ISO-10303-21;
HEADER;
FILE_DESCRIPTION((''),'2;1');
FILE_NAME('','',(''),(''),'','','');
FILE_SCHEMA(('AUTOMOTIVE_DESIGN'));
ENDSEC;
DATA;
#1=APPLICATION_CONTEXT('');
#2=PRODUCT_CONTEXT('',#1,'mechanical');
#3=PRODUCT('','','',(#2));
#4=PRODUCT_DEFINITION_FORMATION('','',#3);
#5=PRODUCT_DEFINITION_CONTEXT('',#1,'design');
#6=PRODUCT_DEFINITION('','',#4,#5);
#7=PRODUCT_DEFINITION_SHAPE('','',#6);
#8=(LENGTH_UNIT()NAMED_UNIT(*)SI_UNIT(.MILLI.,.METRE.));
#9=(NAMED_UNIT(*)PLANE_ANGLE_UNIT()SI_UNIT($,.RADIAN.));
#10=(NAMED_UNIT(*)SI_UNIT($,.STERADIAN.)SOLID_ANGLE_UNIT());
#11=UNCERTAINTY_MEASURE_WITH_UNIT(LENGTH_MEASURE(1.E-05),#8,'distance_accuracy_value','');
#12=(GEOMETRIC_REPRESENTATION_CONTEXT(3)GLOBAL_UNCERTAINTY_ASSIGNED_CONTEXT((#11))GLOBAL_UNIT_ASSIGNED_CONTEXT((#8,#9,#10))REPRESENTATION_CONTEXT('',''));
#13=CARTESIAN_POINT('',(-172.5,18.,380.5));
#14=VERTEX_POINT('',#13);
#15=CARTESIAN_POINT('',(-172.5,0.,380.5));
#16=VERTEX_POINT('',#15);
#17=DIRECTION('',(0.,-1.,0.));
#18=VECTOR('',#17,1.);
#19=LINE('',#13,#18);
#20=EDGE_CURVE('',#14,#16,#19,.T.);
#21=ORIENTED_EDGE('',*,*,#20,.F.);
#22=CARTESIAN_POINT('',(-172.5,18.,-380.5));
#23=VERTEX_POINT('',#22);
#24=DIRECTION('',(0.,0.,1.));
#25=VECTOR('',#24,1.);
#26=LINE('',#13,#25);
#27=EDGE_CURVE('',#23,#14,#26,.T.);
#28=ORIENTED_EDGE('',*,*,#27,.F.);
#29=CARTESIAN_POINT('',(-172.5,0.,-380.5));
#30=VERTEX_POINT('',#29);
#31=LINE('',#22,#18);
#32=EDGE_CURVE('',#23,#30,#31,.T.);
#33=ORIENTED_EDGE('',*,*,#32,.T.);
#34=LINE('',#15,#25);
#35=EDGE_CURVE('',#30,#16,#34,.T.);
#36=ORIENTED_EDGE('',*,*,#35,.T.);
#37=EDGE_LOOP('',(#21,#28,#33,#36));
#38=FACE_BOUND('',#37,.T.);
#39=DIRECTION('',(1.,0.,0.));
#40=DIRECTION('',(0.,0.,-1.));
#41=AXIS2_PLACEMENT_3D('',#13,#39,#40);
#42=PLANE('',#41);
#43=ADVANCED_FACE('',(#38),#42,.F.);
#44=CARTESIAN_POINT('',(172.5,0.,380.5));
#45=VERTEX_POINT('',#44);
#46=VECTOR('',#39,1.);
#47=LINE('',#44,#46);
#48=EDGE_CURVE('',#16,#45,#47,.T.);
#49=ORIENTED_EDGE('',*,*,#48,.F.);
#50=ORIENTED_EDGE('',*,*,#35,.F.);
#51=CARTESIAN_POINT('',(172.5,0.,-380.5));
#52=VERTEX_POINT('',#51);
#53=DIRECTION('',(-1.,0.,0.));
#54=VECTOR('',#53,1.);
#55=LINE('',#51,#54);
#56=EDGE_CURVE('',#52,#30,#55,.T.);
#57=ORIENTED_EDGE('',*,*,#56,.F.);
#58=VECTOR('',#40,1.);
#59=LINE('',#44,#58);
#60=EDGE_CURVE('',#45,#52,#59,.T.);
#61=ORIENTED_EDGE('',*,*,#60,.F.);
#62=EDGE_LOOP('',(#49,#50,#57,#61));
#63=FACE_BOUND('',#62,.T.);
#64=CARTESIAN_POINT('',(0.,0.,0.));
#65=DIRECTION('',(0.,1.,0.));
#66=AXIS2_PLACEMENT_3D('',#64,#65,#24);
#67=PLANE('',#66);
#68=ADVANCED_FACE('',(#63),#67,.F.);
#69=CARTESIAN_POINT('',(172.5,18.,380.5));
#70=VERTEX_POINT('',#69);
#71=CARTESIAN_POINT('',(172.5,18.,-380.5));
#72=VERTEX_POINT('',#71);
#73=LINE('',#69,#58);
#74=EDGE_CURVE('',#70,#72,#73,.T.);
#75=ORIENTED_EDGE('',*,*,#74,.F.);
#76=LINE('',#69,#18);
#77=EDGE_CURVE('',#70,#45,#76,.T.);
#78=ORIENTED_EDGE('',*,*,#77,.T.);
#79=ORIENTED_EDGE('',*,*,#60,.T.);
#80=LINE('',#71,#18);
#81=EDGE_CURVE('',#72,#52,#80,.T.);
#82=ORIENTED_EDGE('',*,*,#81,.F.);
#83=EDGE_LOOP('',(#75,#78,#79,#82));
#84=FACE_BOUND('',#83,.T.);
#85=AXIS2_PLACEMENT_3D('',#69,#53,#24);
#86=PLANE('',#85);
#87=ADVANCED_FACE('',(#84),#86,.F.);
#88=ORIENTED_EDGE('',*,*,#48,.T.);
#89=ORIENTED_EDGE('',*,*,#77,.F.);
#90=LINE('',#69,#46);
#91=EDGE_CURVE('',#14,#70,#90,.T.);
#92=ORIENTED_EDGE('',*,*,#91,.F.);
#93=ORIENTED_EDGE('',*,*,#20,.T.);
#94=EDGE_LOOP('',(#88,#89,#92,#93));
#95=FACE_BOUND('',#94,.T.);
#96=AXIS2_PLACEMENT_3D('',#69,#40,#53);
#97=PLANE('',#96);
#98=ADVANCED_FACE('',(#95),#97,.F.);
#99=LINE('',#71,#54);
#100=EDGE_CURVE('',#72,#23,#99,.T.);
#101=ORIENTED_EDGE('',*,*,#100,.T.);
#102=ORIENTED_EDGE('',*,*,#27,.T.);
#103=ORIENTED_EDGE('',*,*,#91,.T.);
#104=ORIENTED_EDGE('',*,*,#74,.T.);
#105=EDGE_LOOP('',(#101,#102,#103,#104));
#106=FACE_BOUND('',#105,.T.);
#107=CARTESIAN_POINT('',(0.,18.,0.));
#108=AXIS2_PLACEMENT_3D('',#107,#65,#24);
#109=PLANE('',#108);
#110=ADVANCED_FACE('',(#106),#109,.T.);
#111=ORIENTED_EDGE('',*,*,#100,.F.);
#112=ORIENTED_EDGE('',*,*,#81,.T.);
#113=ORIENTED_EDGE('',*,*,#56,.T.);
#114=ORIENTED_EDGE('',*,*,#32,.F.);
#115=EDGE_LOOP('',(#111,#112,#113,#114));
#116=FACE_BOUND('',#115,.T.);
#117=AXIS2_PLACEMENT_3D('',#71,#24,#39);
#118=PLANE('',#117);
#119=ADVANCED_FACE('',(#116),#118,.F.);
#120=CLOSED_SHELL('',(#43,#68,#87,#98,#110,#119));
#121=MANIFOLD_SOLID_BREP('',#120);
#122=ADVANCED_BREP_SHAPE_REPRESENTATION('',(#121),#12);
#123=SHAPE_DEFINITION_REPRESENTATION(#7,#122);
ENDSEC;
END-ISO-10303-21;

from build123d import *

# Parameters (mm, degrees)
SKETCH_1_W      = 345
SKETCH_1_H      = 761
EXTRUDE_1_DEPTH = 18


with BuildPart() as part:
    # Эскиз1 → Бобышка-Вытянуть1 (new body)
    with BuildSketch(Plane(origin=(0, 0, 0), x_dir=(1, 0, 0), z_dir=(0, 1, 0))):
        Rectangle(SKETCH_1_W, SKETCH_1_H)
    extrude(amount=EXTRUDE_1_DEPTH)


solid = part.part
